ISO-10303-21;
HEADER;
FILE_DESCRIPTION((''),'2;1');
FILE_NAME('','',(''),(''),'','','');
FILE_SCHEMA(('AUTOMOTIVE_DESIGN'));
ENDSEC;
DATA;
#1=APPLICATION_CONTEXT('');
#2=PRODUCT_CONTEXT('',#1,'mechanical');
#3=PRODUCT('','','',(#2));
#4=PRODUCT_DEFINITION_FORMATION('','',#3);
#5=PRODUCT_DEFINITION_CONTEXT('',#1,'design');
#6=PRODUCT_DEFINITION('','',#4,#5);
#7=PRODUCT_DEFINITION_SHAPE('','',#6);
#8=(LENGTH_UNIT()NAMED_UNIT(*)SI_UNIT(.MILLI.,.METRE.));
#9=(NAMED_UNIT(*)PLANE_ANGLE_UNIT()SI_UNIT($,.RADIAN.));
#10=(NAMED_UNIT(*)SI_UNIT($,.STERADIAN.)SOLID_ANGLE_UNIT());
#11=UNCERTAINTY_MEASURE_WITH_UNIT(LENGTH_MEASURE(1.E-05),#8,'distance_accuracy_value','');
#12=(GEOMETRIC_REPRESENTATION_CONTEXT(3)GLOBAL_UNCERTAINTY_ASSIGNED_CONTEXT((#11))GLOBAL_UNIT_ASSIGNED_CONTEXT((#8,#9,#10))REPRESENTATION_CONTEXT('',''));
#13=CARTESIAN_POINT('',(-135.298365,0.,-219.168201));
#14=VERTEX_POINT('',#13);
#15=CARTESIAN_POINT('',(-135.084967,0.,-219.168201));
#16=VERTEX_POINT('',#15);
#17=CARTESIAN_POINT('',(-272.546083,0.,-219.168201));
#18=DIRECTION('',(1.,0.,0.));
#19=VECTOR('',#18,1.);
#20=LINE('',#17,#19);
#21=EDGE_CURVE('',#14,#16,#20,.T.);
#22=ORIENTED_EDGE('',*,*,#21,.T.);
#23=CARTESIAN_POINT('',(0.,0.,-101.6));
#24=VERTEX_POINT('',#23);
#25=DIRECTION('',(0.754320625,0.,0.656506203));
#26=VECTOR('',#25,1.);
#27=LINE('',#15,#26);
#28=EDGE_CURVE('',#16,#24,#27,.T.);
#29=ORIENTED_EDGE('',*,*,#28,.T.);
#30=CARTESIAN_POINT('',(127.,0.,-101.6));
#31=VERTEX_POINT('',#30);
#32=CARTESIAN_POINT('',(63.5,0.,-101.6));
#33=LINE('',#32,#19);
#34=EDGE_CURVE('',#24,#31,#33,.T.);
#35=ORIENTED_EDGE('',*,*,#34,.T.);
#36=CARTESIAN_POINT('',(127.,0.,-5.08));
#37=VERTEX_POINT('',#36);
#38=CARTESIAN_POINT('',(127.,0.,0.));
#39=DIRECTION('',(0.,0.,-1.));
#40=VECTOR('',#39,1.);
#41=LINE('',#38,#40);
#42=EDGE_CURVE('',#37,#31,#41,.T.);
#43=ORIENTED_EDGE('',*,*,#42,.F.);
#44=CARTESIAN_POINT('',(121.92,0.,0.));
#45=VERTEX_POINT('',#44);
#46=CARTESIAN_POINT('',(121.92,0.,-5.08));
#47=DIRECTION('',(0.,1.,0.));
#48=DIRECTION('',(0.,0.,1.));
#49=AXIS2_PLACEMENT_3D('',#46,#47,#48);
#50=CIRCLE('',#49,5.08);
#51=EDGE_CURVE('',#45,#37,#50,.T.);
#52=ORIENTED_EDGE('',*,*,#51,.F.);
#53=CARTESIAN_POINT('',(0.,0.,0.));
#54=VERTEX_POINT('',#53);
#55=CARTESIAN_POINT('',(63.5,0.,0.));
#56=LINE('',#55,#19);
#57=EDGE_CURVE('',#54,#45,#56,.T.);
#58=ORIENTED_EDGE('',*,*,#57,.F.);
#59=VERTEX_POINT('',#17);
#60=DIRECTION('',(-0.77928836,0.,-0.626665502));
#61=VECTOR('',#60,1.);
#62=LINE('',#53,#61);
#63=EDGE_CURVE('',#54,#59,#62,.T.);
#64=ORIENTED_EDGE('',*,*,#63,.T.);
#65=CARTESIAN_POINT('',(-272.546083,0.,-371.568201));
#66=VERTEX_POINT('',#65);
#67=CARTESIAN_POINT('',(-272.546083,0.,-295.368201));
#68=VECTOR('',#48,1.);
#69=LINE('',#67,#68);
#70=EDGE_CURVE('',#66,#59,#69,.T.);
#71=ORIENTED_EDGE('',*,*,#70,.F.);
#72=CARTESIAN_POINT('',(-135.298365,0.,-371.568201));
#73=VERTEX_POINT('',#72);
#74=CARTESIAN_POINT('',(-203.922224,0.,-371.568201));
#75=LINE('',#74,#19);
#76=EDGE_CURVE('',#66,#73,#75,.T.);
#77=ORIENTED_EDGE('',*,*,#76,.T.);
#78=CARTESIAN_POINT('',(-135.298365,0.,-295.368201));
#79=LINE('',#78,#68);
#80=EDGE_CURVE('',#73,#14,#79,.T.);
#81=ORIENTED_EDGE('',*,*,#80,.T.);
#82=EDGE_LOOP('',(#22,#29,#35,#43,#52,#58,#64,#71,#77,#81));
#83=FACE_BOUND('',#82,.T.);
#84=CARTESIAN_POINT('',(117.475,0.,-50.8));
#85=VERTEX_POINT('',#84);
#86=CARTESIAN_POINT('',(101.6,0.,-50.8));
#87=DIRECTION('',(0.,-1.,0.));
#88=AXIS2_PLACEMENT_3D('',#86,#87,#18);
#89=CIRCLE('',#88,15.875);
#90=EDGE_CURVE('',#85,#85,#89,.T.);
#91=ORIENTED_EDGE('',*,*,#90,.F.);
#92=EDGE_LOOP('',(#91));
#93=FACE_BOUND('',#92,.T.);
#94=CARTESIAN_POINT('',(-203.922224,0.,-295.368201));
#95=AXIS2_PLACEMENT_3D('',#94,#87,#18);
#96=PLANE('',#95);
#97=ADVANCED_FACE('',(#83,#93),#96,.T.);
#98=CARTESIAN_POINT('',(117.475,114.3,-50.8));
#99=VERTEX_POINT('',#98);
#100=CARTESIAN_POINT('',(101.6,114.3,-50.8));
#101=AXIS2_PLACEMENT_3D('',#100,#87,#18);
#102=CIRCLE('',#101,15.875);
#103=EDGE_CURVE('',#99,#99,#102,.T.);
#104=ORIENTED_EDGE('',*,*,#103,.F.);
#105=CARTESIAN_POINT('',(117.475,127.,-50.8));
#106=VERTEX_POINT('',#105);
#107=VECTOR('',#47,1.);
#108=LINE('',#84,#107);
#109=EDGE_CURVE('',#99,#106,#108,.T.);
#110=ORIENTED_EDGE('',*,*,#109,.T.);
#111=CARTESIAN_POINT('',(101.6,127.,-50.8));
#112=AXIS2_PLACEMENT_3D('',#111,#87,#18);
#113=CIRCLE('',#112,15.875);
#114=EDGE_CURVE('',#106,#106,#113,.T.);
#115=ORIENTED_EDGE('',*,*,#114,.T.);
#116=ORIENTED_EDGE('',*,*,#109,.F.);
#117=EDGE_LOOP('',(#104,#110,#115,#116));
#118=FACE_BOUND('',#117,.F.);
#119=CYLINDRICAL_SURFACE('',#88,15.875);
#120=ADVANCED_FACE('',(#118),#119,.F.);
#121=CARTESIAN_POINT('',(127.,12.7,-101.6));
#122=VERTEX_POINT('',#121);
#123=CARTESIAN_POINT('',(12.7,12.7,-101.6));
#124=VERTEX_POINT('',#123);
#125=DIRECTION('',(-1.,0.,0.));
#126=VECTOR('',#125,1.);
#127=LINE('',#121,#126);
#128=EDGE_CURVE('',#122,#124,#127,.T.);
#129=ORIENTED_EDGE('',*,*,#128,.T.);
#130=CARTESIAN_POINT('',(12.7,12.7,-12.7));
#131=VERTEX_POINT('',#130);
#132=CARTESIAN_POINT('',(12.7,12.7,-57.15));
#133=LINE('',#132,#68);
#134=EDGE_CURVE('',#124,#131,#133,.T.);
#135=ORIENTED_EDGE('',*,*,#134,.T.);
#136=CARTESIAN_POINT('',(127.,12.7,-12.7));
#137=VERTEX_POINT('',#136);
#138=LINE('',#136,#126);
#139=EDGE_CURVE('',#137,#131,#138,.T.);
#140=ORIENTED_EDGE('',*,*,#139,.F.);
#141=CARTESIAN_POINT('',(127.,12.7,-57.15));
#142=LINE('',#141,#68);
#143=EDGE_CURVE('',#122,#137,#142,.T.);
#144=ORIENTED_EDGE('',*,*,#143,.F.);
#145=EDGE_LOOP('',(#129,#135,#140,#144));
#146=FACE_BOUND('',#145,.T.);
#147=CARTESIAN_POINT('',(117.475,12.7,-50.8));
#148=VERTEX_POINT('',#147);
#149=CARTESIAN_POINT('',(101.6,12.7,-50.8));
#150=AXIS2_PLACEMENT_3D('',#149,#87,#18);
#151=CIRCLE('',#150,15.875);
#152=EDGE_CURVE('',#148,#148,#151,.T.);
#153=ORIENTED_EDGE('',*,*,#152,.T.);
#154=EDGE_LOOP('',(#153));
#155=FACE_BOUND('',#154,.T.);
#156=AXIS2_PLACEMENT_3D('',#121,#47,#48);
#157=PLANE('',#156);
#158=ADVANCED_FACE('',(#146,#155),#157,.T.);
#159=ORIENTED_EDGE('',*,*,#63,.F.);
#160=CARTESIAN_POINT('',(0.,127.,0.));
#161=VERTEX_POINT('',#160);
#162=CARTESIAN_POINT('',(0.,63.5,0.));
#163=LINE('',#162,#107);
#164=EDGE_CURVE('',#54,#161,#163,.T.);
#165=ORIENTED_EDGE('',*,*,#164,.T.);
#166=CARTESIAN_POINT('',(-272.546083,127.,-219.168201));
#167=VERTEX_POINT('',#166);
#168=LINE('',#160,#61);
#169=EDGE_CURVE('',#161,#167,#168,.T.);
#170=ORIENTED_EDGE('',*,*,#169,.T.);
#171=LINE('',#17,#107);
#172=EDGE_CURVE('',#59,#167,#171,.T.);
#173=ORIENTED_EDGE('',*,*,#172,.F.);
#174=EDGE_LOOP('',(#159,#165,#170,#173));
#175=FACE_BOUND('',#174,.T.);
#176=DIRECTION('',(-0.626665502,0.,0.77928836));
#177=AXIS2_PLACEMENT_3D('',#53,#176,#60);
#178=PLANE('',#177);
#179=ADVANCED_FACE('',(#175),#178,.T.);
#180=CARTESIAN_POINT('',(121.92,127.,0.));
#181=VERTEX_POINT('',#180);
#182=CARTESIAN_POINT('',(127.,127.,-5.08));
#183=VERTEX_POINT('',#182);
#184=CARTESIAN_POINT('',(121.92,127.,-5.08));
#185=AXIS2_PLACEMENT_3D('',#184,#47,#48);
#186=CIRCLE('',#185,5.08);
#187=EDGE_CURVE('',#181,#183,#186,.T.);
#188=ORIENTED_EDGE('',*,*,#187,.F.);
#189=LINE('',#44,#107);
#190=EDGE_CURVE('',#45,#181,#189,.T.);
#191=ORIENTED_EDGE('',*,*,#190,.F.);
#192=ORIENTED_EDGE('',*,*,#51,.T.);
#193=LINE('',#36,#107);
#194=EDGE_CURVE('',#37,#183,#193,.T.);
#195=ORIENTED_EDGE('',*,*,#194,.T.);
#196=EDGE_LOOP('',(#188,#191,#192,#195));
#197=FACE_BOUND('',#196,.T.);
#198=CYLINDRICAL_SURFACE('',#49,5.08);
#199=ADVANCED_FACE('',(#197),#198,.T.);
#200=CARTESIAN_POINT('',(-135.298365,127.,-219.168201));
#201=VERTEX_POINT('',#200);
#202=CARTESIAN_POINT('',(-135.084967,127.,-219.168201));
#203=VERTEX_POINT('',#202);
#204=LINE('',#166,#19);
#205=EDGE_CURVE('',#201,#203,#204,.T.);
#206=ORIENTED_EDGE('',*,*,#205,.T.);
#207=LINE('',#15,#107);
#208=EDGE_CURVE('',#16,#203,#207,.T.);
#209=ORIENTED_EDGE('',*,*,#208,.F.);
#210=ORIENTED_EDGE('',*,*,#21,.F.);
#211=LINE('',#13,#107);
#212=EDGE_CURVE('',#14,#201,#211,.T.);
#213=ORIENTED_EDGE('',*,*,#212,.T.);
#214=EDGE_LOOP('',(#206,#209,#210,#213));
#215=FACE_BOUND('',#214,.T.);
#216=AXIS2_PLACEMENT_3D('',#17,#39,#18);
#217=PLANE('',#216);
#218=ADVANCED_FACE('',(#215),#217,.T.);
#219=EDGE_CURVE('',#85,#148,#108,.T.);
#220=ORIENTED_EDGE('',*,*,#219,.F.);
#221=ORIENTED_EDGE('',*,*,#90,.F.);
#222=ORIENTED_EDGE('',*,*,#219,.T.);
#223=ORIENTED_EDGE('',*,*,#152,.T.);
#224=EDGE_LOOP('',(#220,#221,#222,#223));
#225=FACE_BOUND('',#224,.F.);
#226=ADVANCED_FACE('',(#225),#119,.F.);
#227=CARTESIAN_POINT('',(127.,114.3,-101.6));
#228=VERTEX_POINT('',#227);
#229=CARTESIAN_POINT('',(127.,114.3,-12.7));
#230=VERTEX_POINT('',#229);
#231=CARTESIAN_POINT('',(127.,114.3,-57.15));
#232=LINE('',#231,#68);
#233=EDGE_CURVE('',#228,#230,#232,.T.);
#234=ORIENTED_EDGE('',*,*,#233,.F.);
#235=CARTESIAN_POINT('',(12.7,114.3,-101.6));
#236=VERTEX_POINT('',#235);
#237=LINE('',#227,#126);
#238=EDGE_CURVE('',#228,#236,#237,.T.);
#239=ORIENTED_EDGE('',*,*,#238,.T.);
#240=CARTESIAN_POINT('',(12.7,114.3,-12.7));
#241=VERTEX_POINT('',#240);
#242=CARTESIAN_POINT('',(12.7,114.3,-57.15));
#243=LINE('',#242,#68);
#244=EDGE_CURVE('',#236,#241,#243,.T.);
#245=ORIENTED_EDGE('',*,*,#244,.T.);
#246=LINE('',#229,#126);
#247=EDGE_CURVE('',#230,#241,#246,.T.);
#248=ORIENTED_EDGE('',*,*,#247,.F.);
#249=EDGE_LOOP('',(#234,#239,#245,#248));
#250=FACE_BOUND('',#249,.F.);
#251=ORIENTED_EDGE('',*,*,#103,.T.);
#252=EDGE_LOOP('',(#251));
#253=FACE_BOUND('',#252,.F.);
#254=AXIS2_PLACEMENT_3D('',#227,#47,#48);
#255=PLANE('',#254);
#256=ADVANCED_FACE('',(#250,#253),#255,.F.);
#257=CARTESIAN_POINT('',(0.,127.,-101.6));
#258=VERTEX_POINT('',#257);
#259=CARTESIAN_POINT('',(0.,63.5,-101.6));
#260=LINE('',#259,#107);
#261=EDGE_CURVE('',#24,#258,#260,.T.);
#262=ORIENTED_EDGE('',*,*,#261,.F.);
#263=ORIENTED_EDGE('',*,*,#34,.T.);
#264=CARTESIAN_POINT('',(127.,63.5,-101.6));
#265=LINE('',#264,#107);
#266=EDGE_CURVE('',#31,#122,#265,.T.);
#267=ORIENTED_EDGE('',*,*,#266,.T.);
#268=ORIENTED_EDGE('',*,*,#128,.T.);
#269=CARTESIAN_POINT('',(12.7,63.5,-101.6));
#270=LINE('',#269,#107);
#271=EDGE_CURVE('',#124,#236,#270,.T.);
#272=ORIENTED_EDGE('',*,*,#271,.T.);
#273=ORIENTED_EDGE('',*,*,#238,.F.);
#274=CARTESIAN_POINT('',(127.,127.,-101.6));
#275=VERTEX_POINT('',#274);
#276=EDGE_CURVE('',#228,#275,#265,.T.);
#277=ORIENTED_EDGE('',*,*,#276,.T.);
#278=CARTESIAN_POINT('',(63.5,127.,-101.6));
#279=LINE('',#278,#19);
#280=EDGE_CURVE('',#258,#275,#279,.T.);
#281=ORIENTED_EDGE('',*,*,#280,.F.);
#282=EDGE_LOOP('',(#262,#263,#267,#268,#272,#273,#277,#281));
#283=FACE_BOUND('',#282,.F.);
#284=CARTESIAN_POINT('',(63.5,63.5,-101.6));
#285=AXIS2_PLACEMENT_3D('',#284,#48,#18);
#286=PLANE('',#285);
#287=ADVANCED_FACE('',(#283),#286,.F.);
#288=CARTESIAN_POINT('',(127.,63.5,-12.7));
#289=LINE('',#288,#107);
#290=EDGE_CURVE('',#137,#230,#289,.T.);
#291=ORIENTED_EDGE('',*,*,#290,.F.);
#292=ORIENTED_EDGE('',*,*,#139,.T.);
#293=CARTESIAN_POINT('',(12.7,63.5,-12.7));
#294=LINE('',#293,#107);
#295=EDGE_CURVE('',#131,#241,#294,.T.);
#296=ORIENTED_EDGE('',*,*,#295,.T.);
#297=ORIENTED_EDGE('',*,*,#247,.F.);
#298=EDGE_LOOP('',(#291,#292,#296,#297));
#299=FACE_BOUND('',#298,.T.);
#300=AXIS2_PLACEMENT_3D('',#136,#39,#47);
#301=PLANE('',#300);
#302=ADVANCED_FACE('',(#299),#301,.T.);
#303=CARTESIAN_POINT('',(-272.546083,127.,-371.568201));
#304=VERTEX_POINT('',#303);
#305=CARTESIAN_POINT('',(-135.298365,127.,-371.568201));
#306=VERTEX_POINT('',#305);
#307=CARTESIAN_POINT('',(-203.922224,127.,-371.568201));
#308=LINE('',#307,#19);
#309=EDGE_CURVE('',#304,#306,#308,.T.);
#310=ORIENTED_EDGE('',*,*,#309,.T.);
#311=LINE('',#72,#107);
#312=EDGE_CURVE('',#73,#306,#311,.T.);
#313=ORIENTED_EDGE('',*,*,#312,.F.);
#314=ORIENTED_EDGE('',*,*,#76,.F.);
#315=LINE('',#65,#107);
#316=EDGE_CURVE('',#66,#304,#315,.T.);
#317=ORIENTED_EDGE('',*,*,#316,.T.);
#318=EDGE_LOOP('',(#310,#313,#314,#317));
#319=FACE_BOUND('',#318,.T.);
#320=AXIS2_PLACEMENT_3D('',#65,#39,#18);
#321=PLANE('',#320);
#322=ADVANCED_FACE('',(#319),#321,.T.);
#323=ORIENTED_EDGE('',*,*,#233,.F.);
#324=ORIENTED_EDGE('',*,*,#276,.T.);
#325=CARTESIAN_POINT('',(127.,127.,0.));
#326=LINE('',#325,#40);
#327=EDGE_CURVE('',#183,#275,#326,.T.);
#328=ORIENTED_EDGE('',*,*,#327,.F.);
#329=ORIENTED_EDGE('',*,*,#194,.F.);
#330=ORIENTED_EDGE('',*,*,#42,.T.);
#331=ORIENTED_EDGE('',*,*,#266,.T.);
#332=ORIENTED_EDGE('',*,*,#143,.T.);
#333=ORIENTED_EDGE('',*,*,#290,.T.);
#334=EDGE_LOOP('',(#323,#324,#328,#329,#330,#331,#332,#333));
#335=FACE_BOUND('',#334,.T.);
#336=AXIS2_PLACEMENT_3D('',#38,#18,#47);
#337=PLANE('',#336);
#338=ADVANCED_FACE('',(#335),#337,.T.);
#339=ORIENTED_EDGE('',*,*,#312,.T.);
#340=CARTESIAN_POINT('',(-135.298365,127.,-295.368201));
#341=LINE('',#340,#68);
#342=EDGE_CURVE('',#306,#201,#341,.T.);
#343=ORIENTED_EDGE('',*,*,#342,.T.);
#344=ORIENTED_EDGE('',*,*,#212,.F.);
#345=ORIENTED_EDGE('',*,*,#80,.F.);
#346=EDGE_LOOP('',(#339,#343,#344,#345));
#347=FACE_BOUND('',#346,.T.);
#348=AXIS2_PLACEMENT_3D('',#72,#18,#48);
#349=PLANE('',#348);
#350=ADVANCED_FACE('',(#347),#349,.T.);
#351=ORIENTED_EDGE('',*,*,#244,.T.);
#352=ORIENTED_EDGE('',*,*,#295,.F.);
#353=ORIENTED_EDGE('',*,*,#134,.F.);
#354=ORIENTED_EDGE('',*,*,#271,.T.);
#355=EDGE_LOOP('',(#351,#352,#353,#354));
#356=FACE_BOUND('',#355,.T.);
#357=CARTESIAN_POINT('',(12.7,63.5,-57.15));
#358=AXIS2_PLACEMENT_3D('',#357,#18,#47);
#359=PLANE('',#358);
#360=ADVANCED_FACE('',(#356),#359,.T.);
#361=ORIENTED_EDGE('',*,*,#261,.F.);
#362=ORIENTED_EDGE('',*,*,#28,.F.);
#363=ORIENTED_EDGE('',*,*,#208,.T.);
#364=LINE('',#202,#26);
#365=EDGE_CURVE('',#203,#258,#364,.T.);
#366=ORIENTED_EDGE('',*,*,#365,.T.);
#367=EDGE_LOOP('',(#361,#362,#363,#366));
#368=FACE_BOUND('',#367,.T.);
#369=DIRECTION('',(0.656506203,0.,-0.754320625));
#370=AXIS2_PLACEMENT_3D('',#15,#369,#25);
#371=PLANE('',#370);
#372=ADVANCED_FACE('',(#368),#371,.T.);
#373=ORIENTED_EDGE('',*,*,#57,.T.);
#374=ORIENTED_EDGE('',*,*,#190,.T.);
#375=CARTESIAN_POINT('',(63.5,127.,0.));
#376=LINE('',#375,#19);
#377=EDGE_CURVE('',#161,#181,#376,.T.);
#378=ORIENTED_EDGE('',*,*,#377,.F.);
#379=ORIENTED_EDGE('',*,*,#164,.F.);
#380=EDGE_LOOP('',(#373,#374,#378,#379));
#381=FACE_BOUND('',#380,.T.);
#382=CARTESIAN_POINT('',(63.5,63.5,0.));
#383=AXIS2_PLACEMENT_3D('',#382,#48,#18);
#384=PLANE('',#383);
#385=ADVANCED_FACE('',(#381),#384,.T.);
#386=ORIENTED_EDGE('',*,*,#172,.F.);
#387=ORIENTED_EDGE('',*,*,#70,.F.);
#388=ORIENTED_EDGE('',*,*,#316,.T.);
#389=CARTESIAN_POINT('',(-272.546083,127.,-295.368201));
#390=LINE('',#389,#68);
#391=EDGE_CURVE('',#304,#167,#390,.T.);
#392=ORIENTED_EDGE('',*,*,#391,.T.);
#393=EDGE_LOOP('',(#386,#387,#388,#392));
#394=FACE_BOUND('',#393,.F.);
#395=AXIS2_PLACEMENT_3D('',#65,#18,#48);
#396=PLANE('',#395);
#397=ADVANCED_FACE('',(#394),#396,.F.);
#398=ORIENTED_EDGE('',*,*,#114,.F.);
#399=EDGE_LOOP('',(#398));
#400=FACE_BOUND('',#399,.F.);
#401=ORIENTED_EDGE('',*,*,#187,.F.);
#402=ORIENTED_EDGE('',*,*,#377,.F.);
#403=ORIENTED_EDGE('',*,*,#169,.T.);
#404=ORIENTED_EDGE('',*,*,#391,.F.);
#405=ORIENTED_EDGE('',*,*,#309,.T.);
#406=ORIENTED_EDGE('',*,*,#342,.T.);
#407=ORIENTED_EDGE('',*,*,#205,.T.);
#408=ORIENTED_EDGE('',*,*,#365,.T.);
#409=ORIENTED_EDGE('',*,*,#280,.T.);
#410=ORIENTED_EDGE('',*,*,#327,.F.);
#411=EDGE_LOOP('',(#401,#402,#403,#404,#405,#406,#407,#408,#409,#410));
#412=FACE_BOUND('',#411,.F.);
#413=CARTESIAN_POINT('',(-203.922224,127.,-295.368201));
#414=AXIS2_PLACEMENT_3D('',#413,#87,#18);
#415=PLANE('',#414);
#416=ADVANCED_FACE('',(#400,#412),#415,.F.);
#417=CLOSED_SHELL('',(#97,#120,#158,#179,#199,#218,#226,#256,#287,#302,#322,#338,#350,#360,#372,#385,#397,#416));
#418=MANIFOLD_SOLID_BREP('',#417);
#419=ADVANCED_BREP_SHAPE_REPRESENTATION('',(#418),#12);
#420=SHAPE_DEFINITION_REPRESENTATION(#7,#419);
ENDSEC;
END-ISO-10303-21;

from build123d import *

# Parameters (mm, degrees)
F0_W      = 127
F0_H      = 127
F1_DEPTH  = 101.6
F2_W      = 101.6
F2_H      = 88.9
F3_DEPTH  = 114.3
F4_R      = 15.875
F5_DEPTH  = 127.001
F6_R      = 5.08
F8_DEPTH  = 127
F9_W      = 137.247718
F9_H      = 152.4
F10_DEPTH = 127


with BuildPart() as f1:
    # F0 (on Top) → F1 (new body)
    with BuildSketch(Plane.XY):
        with Locations((63.5, 63.5)):
            Rectangle(F0_W, F0_H)
    extrude(amount=-F1_DEPTH)

    # F2 (on face) → F3 (cut)
    with BuildSketch(Plane.YZ.offset(127)):
        with Locations((63.5, -57.15)):
            Rectangle(F2_W, F2_H)
    extrude(amount=-F3_DEPTH, mode=Mode.SUBTRACT)

    # F4 (on face) → F5 (cut, through all)
    with BuildSketch(Plane.XZ):
        with Locations((101.6, -50.8)):
            Circle(F4_R)
    extrude(amount=-F5_DEPTH, mode=Mode.SUBTRACT)

    # F6
    f6_edges = [f1.edges().sort_by_distance(p)[0] for p in [
        (127, 63.5, 0),
    ]]
    fillet(f6_edges, radius=F6_R)

    # F7 (on face) → F8 (join)
    with BuildSketch(Plane.XZ):
        Polygon((0, -101.6), (0, 0), (-272.546083, -219.168201), (-135.084967, -219.168201), align=None)
    extrude(amount=-F8_DEPTH)

    # F9 (on face) → F10 (join)
    with BuildSketch(Plane.XZ):
        with Locations((-203.922224, -295.368201)):
            Rectangle(F9_W, F9_H)
    extrude(amount=-F10_DEPTH)


solid = f1.part
